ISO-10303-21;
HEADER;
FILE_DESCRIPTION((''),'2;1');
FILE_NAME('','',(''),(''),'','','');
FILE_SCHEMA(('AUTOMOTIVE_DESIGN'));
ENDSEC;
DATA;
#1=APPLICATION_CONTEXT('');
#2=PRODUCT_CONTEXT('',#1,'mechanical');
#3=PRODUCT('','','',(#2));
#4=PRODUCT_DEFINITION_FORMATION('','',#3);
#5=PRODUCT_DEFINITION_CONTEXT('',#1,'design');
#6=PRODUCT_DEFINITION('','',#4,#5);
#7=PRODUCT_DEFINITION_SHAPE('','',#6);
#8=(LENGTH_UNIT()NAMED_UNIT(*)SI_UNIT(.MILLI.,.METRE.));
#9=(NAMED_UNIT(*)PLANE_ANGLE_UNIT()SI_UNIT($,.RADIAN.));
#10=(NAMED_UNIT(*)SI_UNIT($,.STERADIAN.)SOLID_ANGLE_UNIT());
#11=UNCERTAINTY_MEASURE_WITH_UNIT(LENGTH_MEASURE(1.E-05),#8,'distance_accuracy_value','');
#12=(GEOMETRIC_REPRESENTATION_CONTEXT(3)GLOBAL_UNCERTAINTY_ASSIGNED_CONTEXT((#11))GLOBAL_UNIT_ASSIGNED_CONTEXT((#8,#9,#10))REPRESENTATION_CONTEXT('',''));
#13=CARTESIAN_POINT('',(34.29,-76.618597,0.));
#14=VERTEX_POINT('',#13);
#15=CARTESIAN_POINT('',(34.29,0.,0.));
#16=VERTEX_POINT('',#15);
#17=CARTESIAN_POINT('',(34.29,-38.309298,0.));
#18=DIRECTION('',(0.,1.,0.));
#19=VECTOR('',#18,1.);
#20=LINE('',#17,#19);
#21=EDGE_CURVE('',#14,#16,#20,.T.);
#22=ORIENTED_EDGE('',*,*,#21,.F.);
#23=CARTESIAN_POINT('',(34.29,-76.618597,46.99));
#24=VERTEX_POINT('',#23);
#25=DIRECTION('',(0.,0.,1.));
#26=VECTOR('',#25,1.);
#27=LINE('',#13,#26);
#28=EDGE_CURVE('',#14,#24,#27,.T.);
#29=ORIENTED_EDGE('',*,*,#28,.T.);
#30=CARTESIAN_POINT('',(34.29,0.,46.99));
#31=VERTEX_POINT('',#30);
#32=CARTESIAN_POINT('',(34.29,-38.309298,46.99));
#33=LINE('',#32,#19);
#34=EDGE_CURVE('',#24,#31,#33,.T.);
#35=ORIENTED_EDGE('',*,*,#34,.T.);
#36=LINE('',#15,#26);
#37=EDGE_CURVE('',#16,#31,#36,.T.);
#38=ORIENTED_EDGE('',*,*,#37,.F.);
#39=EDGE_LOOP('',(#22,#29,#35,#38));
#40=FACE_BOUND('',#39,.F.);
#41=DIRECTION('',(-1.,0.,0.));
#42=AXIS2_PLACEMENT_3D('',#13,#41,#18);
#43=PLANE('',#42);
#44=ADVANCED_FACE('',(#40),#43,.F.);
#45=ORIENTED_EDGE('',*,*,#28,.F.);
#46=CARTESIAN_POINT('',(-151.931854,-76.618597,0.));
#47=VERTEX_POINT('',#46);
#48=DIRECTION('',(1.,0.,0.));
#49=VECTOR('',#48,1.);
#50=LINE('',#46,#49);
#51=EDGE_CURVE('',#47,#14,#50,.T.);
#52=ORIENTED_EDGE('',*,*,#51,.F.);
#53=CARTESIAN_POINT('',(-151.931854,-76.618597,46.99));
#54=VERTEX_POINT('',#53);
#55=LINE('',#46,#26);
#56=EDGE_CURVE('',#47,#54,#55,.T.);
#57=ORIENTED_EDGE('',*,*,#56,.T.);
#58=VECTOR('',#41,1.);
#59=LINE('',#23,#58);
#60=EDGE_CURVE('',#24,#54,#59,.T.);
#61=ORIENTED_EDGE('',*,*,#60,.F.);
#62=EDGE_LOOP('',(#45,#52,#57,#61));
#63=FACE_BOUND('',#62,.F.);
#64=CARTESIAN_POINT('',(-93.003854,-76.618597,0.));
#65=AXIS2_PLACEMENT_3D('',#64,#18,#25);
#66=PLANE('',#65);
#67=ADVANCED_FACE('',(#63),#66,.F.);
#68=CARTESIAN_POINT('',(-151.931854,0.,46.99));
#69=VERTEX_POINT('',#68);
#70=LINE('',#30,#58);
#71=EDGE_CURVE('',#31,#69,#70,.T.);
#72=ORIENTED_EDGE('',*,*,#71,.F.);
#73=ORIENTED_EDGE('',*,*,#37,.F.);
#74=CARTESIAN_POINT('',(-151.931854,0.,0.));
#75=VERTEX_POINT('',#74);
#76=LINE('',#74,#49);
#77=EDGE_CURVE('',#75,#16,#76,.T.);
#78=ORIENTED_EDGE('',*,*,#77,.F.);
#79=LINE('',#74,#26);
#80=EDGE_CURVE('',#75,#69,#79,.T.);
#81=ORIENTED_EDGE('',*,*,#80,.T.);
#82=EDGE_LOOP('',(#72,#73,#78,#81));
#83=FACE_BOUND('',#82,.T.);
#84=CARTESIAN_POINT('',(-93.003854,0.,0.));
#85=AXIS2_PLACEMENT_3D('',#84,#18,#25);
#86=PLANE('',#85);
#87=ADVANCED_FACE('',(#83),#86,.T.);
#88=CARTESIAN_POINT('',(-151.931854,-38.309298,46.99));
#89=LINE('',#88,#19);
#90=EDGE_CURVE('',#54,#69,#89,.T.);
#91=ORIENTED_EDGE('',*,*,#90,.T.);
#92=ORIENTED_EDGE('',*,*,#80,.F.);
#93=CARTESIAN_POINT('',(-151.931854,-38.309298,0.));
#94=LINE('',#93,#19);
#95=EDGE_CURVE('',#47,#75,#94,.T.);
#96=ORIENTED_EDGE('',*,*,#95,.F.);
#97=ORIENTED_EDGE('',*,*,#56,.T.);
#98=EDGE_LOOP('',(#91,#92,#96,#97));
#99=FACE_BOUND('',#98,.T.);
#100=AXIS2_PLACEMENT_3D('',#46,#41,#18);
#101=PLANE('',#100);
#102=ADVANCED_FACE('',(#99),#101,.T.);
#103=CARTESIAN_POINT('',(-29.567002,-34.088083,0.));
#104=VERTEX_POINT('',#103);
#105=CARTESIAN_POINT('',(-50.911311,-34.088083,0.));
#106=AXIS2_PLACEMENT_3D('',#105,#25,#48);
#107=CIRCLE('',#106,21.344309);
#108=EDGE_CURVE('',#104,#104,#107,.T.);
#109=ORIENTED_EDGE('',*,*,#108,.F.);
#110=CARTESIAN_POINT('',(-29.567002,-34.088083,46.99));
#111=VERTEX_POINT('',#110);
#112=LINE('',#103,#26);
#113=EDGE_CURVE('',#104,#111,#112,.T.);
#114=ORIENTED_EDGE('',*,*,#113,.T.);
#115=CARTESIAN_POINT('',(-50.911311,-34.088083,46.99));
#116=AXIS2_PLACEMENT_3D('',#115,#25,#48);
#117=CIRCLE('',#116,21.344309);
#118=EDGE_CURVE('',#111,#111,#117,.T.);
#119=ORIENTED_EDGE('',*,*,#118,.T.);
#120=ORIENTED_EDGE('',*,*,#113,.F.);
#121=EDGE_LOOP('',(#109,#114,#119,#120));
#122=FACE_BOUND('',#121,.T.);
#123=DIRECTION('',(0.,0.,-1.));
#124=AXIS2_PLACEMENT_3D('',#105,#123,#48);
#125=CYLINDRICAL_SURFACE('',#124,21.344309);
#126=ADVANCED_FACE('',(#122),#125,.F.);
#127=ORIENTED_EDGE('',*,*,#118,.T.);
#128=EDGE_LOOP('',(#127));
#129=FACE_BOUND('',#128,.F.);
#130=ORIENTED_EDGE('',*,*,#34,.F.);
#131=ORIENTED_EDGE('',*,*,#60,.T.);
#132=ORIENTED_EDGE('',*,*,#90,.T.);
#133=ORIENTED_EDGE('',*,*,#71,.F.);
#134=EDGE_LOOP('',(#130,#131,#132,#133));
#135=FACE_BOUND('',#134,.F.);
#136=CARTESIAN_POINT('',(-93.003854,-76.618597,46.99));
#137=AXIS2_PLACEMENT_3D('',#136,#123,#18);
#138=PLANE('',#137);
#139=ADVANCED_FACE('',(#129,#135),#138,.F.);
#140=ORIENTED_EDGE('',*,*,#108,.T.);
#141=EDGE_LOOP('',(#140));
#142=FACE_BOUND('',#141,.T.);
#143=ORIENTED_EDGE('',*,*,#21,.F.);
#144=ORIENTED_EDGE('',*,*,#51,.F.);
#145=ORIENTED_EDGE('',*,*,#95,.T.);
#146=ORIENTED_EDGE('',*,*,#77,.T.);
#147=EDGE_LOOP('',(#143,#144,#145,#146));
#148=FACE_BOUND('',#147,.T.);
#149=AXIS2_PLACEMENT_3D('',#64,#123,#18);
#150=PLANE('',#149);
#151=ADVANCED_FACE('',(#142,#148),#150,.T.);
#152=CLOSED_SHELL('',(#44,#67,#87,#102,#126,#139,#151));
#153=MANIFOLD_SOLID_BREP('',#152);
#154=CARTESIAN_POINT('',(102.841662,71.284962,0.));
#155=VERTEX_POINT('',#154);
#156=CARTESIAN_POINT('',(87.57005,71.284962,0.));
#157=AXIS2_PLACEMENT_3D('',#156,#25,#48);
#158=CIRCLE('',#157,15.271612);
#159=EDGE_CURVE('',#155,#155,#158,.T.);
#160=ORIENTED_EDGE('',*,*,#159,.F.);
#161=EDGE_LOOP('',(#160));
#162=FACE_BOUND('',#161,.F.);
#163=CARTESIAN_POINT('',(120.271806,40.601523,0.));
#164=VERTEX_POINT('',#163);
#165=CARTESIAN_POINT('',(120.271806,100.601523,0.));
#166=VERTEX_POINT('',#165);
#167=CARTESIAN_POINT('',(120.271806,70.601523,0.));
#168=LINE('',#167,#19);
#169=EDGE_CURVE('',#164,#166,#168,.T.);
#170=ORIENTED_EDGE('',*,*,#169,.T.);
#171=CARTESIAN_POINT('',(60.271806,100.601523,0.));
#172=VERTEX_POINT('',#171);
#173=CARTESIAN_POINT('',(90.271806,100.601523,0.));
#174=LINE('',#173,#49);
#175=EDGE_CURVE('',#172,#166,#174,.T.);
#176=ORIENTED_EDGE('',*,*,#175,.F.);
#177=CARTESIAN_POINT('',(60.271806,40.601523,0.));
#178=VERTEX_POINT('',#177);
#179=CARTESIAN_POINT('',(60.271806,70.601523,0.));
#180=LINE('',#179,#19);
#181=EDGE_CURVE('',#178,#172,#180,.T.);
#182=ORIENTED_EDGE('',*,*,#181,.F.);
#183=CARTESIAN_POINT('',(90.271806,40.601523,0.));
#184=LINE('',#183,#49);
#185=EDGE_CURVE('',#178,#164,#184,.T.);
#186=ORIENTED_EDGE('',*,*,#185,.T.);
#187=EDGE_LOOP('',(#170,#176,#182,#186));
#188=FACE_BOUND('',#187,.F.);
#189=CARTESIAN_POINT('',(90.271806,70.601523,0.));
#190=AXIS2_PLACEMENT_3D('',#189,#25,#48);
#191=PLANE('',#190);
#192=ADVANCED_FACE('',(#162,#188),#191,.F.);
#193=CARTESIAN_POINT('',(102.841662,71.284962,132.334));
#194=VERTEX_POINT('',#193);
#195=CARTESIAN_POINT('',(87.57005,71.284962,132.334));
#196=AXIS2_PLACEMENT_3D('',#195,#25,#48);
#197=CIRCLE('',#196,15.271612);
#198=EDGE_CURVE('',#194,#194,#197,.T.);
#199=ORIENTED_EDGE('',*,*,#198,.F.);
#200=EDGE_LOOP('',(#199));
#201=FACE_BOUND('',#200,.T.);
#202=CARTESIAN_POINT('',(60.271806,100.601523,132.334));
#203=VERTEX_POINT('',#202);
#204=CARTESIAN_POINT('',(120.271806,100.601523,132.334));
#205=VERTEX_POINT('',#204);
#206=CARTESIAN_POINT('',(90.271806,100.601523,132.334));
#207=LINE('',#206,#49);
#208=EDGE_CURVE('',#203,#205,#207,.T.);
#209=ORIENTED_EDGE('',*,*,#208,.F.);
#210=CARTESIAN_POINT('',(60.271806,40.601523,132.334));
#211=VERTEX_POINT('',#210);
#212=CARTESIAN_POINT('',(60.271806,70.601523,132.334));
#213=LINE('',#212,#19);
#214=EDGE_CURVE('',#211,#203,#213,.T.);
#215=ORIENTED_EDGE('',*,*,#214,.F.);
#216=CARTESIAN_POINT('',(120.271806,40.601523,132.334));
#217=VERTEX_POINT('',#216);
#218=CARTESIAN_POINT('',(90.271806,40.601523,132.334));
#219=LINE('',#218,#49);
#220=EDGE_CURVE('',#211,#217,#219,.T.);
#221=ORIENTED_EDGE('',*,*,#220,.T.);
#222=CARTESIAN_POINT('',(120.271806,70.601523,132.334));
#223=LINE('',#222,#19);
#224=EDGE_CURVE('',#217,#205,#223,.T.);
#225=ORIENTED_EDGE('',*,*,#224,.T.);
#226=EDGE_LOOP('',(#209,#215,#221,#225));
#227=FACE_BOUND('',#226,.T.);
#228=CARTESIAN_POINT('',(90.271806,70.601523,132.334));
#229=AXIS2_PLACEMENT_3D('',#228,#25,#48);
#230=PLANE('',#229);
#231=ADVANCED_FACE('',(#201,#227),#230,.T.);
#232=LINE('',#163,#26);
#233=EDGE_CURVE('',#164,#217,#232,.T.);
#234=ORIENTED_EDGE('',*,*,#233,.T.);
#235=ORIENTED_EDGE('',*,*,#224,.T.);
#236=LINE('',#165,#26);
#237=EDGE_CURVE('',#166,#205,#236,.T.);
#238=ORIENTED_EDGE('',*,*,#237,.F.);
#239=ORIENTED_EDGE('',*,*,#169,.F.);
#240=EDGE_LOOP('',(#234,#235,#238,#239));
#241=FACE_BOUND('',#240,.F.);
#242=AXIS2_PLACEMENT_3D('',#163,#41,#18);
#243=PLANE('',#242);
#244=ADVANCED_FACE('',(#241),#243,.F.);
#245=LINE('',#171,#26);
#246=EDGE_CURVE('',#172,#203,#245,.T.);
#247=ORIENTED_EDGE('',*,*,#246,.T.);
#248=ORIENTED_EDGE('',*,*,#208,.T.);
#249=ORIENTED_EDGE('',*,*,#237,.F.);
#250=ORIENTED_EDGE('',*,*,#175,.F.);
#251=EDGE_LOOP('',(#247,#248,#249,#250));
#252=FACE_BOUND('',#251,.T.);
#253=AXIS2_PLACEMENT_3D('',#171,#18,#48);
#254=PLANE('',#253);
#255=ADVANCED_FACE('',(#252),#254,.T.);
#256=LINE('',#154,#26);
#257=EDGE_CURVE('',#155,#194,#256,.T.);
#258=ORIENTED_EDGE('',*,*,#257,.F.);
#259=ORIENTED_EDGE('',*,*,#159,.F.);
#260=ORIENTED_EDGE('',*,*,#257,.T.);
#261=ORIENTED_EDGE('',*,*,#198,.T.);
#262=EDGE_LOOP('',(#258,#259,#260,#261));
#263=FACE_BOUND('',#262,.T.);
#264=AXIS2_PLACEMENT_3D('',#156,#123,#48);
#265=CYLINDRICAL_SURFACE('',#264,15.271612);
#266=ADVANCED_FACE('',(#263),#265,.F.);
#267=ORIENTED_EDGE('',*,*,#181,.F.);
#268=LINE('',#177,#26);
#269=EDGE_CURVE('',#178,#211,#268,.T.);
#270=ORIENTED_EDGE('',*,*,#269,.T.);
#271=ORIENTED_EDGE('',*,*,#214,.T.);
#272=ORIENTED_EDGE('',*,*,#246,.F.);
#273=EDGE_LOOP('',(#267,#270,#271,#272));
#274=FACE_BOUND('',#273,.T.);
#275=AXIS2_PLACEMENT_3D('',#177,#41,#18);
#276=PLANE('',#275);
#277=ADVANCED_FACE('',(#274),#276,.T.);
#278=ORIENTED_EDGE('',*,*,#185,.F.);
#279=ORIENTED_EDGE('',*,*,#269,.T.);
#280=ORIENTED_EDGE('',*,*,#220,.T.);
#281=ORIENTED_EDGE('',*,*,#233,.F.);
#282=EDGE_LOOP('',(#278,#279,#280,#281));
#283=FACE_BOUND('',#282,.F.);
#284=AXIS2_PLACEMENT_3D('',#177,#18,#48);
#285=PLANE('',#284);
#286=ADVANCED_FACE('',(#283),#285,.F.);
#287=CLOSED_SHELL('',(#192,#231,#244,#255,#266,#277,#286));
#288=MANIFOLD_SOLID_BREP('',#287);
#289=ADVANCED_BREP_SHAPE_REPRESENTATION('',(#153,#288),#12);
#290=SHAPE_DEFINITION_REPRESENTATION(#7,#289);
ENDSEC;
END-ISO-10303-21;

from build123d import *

# Parameters (mm, degrees)
F0_W     = 93.0038541555
F0_H     = 76.6185969114
F0_R     = 21.3443090391
F1_DEPTH = 46.99
F2_DEPTH = 34.29
F3_DEPTH = 58.928
F4_W     = 60
F4_H     = 60
F4_R     = 15.2716118789
F5_DEPTH = 132.334


with BuildPart() as f1:
    # F0 (on Top) → F1 (new body)
    with BuildSketch(Plane.XY):
        with Locations((-46.5019270778, -38.3092984557)):
            Rectangle(F0_W, F0_H)
        with Locations((-50.9113110602, -34.0880826116)):
            Circle(F0_R, mode=Mode.SUBTRACT)
    extrude(amount=F1_DEPTH)

    # F2 (add): a face of the model
    f2_faces = [f1.faces().sort_by_distance(p)[0] for p in [
        (0, -38.3092984557, 23.495),
    ]]
    extrude(f2_faces, amount=F2_DEPTH)

    # F3 (add): a face of the model
    f3_faces = [f1.faces().sort_by_distance(p)[0] for p in [
        (-93.0038541555, -38.3092984557, 23.495),
    ]]
    extrude(f3_faces, amount=F3_DEPTH)


with BuildPart() as f5:
    # F4 (on Top) → F5 (new body)
    with BuildSketch(Plane.XY):
        with Locations((90.2718063444, 70.6015230619)):
            Rectangle(F4_W, F4_H)
        with Locations((87.5700501066, 71.2849623934)):
            Circle(F4_R, mode=Mode.SUBTRACT)
    extrude(amount=F5_DEPTH)


solid = Compound([f1.part, f5.part])
